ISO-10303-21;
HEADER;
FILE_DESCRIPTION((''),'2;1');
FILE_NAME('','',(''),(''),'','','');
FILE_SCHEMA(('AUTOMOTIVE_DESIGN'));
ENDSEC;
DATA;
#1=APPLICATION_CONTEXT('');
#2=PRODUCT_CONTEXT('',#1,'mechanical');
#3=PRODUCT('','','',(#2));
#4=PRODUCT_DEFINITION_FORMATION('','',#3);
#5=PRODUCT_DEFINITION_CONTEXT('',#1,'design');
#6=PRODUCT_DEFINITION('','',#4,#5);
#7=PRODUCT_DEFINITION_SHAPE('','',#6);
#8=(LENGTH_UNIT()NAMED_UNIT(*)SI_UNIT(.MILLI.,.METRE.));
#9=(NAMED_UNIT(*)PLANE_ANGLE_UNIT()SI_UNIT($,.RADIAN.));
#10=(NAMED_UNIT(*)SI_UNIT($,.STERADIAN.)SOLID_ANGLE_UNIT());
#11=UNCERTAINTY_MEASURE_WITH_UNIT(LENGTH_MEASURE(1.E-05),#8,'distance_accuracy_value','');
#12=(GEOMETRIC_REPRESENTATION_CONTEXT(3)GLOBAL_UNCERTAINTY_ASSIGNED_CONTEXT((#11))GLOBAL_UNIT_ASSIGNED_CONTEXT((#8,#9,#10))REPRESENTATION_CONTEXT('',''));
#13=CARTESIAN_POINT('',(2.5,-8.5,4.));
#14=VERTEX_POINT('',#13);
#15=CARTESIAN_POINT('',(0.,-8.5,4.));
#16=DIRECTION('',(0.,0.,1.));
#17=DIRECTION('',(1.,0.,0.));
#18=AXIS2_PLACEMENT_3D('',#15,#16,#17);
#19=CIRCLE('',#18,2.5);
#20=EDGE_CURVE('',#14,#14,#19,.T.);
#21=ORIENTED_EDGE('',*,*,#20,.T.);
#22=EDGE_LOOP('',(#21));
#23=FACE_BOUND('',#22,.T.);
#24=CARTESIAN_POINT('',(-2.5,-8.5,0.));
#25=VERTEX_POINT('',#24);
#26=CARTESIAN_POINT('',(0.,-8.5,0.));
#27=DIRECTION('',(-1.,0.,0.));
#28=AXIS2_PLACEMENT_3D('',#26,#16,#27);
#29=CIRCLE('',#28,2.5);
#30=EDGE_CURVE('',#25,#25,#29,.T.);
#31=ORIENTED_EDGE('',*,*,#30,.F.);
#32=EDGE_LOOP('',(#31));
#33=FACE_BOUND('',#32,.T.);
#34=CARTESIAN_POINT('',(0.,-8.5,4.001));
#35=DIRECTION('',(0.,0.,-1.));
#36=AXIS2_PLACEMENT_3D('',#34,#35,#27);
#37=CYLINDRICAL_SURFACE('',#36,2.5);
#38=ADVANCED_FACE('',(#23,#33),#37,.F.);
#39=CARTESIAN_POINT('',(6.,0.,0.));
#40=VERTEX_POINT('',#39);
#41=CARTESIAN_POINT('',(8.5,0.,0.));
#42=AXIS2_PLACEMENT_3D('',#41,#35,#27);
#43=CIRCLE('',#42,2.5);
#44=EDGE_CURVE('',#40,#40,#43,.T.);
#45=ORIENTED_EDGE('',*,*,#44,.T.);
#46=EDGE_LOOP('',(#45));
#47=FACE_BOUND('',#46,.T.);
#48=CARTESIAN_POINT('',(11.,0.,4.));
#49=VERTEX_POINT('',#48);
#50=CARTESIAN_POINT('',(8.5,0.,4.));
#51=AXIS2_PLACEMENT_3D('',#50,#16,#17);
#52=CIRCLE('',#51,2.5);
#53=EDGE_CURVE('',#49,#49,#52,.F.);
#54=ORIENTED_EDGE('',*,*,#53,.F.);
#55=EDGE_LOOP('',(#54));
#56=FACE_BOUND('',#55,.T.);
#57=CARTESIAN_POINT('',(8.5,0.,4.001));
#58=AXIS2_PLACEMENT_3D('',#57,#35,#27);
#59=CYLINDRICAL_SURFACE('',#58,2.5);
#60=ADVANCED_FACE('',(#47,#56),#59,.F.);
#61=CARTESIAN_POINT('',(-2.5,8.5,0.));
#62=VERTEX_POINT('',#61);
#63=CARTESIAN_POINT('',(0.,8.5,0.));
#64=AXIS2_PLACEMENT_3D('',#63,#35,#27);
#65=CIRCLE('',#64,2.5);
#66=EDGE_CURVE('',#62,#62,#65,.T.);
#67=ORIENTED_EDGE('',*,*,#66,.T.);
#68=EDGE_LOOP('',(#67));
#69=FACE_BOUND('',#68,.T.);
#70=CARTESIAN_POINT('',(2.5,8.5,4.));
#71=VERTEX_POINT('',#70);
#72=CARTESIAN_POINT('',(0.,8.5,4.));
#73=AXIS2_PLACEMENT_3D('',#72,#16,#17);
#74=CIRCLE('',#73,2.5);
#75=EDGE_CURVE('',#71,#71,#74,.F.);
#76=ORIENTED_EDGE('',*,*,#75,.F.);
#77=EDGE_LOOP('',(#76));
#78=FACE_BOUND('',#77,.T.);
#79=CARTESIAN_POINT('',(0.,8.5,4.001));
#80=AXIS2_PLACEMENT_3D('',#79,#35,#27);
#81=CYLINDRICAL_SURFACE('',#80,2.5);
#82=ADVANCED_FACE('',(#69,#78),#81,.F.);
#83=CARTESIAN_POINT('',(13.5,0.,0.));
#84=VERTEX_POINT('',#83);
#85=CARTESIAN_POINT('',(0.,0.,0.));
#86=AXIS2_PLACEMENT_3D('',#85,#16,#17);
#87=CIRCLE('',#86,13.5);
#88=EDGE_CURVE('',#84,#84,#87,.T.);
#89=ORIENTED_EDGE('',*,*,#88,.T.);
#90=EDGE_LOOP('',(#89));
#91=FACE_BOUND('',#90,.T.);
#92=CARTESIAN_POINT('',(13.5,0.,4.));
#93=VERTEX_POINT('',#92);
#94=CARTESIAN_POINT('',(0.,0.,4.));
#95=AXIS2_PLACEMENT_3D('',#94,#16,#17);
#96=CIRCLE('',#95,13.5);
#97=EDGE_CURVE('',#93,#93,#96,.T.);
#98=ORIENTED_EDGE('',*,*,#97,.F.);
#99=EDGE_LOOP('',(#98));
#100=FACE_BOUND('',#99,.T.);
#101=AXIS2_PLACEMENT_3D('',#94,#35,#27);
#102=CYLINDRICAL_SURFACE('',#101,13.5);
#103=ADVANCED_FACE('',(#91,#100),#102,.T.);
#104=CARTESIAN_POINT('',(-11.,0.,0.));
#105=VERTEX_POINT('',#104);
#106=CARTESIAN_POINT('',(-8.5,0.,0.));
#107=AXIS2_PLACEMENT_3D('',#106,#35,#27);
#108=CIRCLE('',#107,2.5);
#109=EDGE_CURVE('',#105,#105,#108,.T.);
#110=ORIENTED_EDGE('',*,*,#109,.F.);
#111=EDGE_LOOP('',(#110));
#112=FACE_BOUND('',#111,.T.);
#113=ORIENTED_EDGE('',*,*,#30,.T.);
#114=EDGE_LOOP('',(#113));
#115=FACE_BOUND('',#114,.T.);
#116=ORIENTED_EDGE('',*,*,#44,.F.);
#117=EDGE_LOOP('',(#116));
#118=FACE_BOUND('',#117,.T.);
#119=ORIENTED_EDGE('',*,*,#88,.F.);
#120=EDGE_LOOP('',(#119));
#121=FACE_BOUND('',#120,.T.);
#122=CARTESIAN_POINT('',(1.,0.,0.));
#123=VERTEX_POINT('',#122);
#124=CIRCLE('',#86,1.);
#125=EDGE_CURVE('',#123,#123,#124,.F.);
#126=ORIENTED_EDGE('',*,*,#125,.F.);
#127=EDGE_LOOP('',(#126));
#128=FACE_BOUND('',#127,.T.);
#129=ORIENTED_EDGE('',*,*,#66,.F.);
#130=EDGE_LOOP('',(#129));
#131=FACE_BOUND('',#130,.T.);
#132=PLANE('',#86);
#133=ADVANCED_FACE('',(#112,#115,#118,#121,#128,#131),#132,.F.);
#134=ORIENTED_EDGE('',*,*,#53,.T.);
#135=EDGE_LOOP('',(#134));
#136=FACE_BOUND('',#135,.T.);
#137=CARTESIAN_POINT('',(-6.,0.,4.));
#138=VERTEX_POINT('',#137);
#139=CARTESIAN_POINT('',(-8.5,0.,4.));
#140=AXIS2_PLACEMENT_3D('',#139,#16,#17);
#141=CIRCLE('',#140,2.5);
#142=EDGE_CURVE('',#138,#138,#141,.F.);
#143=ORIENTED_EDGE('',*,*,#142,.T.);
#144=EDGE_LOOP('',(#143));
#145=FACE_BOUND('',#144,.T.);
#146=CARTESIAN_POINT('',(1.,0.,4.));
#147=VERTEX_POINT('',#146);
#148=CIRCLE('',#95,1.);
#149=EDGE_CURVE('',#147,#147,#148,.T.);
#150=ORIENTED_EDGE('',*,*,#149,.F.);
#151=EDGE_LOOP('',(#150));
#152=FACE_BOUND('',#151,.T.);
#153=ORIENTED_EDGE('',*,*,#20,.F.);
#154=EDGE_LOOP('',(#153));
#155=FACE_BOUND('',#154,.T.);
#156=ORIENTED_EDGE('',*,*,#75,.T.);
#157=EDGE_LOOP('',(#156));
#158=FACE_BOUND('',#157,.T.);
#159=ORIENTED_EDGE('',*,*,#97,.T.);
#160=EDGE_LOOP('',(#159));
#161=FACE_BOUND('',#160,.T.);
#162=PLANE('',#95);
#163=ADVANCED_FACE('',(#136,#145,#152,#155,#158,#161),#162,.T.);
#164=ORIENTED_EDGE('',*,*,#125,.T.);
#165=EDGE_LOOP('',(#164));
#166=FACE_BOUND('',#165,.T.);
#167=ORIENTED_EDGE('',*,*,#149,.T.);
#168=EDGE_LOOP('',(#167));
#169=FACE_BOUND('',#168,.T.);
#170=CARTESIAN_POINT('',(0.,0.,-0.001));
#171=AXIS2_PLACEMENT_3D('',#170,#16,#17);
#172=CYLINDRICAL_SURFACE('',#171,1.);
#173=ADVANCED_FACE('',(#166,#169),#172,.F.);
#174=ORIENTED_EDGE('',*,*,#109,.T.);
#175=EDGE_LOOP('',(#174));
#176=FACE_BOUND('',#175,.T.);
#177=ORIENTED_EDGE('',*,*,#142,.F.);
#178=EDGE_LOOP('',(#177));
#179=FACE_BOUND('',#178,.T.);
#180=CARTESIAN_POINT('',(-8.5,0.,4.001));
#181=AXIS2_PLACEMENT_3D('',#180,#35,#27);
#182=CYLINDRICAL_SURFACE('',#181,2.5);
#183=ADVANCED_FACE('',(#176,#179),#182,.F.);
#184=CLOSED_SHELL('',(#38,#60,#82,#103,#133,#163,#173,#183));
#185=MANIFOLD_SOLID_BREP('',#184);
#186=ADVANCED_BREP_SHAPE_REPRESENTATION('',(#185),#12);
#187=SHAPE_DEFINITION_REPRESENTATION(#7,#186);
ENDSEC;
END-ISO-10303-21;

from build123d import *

# Parameters (mm, degrees)
SKETCH1_R           = 13.5
BOSS_EXTRUDE1_DEPTH = 4
CUT_EXTRUDE1_REACH  = 21.506
SKETCH2_R           = 1
CUT_EXTRUDE2_REACH  = 21.506
SKETCH3_R           = 2.5
CUT_EXTRUDE3_REACH  = 21.506
SKETCH4_R           = 2.5
CUT_EXTRUDE4_REACH  = 21.506
SKETCH5_R           = 2.5


with BuildPart() as part:
    # Sketch1 → Boss-Extrude1 (new body)
    with BuildSketch(Plane.XY):
        Circle(SKETCH1_R)
    extrude(amount=BOSS_EXTRUDE1_DEPTH)

    # Sketch2 → Cut-Extrude1 (cut, up to next)
    with BuildSketch(Plane.XY.offset(4), mode=Mode.PRIVATE) as cut_extrude1_sk1:
        Circle(SKETCH2_R)
    cut_extrude1_tool1 = extrude(cut_extrude1_sk1.sketch, amount=-CUT_EXTRUDE1_REACH, mode=Mode.PRIVATE) & part.part
    add(cut_extrude1_tool1.solids().sort_by_distance((0, 0, 4))[0], mode=Mode.SUBTRACT)

    # Sketch3 → Cut-Extrude2 (cut, up to next)
    with BuildSketch(Plane(origin=(0, 0, 0), x_dir=(-1, 0, 0), z_dir=(0, 0, -1)), mode=Mode.PRIVATE) as cut_extrude2_sk1:
        with Locations((0, 8.5)):
            Circle(SKETCH3_R)
    cut_extrude2_tool1 = extrude(cut_extrude2_sk1.sketch, amount=-CUT_EXTRUDE2_REACH, mode=Mode.PRIVATE) & part.part
    cut_extrude2 = cut_extrude2_tool1.solids().sort_by_distance((0, 8.5, 0))[0]
    add(cut_extrude2, mode=Mode.SUBTRACT)

    # Mirror1: Cut-Extrude2 across plane
    add(cut_extrude2.mirror(Plane.ZX), mode=Mode.SUBTRACT)

    # Sketch4 → Cut-Extrude3 (cut, up to next)
    with BuildSketch(Plane(origin=(0, 0, 0), x_dir=(-1, 0, 0), z_dir=(0, 0, -1)), mode=Mode.PRIVATE) as cut_extrude3_sk1:
        with Locations((8.5, 0)):
            Circle(SKETCH4_R)
    cut_extrude3_tool1 = extrude(cut_extrude3_sk1.sketch, amount=-CUT_EXTRUDE3_REACH, mode=Mode.PRIVATE) & part.part
    add(cut_extrude3_tool1.solids().sort_by_distance((-8.5, 0, 0))[0], mode=Mode.SUBTRACT)

    # Sketch5 → Cut-Extrude4 (cut, up to next)
    with BuildSketch(Plane(origin=(0, 0, 0), x_dir=(-1, 0, 0), z_dir=(0, 0, -1)), mode=Mode.PRIVATE) as cut_extrude4_sk1:
        with Locations((-8.5, 0)):
            Circle(SKETCH5_R)
    cut_extrude4_tool1 = extrude(cut_extrude4_sk1.sketch, amount=-CUT_EXTRUDE4_REACH, mode=Mode.PRIVATE) & part.part
    add(cut_extrude4_tool1.solids().sort_by_distance((8.5, 0, 0))[0], mode=Mode.SUBTRACT)


solid = part.part
